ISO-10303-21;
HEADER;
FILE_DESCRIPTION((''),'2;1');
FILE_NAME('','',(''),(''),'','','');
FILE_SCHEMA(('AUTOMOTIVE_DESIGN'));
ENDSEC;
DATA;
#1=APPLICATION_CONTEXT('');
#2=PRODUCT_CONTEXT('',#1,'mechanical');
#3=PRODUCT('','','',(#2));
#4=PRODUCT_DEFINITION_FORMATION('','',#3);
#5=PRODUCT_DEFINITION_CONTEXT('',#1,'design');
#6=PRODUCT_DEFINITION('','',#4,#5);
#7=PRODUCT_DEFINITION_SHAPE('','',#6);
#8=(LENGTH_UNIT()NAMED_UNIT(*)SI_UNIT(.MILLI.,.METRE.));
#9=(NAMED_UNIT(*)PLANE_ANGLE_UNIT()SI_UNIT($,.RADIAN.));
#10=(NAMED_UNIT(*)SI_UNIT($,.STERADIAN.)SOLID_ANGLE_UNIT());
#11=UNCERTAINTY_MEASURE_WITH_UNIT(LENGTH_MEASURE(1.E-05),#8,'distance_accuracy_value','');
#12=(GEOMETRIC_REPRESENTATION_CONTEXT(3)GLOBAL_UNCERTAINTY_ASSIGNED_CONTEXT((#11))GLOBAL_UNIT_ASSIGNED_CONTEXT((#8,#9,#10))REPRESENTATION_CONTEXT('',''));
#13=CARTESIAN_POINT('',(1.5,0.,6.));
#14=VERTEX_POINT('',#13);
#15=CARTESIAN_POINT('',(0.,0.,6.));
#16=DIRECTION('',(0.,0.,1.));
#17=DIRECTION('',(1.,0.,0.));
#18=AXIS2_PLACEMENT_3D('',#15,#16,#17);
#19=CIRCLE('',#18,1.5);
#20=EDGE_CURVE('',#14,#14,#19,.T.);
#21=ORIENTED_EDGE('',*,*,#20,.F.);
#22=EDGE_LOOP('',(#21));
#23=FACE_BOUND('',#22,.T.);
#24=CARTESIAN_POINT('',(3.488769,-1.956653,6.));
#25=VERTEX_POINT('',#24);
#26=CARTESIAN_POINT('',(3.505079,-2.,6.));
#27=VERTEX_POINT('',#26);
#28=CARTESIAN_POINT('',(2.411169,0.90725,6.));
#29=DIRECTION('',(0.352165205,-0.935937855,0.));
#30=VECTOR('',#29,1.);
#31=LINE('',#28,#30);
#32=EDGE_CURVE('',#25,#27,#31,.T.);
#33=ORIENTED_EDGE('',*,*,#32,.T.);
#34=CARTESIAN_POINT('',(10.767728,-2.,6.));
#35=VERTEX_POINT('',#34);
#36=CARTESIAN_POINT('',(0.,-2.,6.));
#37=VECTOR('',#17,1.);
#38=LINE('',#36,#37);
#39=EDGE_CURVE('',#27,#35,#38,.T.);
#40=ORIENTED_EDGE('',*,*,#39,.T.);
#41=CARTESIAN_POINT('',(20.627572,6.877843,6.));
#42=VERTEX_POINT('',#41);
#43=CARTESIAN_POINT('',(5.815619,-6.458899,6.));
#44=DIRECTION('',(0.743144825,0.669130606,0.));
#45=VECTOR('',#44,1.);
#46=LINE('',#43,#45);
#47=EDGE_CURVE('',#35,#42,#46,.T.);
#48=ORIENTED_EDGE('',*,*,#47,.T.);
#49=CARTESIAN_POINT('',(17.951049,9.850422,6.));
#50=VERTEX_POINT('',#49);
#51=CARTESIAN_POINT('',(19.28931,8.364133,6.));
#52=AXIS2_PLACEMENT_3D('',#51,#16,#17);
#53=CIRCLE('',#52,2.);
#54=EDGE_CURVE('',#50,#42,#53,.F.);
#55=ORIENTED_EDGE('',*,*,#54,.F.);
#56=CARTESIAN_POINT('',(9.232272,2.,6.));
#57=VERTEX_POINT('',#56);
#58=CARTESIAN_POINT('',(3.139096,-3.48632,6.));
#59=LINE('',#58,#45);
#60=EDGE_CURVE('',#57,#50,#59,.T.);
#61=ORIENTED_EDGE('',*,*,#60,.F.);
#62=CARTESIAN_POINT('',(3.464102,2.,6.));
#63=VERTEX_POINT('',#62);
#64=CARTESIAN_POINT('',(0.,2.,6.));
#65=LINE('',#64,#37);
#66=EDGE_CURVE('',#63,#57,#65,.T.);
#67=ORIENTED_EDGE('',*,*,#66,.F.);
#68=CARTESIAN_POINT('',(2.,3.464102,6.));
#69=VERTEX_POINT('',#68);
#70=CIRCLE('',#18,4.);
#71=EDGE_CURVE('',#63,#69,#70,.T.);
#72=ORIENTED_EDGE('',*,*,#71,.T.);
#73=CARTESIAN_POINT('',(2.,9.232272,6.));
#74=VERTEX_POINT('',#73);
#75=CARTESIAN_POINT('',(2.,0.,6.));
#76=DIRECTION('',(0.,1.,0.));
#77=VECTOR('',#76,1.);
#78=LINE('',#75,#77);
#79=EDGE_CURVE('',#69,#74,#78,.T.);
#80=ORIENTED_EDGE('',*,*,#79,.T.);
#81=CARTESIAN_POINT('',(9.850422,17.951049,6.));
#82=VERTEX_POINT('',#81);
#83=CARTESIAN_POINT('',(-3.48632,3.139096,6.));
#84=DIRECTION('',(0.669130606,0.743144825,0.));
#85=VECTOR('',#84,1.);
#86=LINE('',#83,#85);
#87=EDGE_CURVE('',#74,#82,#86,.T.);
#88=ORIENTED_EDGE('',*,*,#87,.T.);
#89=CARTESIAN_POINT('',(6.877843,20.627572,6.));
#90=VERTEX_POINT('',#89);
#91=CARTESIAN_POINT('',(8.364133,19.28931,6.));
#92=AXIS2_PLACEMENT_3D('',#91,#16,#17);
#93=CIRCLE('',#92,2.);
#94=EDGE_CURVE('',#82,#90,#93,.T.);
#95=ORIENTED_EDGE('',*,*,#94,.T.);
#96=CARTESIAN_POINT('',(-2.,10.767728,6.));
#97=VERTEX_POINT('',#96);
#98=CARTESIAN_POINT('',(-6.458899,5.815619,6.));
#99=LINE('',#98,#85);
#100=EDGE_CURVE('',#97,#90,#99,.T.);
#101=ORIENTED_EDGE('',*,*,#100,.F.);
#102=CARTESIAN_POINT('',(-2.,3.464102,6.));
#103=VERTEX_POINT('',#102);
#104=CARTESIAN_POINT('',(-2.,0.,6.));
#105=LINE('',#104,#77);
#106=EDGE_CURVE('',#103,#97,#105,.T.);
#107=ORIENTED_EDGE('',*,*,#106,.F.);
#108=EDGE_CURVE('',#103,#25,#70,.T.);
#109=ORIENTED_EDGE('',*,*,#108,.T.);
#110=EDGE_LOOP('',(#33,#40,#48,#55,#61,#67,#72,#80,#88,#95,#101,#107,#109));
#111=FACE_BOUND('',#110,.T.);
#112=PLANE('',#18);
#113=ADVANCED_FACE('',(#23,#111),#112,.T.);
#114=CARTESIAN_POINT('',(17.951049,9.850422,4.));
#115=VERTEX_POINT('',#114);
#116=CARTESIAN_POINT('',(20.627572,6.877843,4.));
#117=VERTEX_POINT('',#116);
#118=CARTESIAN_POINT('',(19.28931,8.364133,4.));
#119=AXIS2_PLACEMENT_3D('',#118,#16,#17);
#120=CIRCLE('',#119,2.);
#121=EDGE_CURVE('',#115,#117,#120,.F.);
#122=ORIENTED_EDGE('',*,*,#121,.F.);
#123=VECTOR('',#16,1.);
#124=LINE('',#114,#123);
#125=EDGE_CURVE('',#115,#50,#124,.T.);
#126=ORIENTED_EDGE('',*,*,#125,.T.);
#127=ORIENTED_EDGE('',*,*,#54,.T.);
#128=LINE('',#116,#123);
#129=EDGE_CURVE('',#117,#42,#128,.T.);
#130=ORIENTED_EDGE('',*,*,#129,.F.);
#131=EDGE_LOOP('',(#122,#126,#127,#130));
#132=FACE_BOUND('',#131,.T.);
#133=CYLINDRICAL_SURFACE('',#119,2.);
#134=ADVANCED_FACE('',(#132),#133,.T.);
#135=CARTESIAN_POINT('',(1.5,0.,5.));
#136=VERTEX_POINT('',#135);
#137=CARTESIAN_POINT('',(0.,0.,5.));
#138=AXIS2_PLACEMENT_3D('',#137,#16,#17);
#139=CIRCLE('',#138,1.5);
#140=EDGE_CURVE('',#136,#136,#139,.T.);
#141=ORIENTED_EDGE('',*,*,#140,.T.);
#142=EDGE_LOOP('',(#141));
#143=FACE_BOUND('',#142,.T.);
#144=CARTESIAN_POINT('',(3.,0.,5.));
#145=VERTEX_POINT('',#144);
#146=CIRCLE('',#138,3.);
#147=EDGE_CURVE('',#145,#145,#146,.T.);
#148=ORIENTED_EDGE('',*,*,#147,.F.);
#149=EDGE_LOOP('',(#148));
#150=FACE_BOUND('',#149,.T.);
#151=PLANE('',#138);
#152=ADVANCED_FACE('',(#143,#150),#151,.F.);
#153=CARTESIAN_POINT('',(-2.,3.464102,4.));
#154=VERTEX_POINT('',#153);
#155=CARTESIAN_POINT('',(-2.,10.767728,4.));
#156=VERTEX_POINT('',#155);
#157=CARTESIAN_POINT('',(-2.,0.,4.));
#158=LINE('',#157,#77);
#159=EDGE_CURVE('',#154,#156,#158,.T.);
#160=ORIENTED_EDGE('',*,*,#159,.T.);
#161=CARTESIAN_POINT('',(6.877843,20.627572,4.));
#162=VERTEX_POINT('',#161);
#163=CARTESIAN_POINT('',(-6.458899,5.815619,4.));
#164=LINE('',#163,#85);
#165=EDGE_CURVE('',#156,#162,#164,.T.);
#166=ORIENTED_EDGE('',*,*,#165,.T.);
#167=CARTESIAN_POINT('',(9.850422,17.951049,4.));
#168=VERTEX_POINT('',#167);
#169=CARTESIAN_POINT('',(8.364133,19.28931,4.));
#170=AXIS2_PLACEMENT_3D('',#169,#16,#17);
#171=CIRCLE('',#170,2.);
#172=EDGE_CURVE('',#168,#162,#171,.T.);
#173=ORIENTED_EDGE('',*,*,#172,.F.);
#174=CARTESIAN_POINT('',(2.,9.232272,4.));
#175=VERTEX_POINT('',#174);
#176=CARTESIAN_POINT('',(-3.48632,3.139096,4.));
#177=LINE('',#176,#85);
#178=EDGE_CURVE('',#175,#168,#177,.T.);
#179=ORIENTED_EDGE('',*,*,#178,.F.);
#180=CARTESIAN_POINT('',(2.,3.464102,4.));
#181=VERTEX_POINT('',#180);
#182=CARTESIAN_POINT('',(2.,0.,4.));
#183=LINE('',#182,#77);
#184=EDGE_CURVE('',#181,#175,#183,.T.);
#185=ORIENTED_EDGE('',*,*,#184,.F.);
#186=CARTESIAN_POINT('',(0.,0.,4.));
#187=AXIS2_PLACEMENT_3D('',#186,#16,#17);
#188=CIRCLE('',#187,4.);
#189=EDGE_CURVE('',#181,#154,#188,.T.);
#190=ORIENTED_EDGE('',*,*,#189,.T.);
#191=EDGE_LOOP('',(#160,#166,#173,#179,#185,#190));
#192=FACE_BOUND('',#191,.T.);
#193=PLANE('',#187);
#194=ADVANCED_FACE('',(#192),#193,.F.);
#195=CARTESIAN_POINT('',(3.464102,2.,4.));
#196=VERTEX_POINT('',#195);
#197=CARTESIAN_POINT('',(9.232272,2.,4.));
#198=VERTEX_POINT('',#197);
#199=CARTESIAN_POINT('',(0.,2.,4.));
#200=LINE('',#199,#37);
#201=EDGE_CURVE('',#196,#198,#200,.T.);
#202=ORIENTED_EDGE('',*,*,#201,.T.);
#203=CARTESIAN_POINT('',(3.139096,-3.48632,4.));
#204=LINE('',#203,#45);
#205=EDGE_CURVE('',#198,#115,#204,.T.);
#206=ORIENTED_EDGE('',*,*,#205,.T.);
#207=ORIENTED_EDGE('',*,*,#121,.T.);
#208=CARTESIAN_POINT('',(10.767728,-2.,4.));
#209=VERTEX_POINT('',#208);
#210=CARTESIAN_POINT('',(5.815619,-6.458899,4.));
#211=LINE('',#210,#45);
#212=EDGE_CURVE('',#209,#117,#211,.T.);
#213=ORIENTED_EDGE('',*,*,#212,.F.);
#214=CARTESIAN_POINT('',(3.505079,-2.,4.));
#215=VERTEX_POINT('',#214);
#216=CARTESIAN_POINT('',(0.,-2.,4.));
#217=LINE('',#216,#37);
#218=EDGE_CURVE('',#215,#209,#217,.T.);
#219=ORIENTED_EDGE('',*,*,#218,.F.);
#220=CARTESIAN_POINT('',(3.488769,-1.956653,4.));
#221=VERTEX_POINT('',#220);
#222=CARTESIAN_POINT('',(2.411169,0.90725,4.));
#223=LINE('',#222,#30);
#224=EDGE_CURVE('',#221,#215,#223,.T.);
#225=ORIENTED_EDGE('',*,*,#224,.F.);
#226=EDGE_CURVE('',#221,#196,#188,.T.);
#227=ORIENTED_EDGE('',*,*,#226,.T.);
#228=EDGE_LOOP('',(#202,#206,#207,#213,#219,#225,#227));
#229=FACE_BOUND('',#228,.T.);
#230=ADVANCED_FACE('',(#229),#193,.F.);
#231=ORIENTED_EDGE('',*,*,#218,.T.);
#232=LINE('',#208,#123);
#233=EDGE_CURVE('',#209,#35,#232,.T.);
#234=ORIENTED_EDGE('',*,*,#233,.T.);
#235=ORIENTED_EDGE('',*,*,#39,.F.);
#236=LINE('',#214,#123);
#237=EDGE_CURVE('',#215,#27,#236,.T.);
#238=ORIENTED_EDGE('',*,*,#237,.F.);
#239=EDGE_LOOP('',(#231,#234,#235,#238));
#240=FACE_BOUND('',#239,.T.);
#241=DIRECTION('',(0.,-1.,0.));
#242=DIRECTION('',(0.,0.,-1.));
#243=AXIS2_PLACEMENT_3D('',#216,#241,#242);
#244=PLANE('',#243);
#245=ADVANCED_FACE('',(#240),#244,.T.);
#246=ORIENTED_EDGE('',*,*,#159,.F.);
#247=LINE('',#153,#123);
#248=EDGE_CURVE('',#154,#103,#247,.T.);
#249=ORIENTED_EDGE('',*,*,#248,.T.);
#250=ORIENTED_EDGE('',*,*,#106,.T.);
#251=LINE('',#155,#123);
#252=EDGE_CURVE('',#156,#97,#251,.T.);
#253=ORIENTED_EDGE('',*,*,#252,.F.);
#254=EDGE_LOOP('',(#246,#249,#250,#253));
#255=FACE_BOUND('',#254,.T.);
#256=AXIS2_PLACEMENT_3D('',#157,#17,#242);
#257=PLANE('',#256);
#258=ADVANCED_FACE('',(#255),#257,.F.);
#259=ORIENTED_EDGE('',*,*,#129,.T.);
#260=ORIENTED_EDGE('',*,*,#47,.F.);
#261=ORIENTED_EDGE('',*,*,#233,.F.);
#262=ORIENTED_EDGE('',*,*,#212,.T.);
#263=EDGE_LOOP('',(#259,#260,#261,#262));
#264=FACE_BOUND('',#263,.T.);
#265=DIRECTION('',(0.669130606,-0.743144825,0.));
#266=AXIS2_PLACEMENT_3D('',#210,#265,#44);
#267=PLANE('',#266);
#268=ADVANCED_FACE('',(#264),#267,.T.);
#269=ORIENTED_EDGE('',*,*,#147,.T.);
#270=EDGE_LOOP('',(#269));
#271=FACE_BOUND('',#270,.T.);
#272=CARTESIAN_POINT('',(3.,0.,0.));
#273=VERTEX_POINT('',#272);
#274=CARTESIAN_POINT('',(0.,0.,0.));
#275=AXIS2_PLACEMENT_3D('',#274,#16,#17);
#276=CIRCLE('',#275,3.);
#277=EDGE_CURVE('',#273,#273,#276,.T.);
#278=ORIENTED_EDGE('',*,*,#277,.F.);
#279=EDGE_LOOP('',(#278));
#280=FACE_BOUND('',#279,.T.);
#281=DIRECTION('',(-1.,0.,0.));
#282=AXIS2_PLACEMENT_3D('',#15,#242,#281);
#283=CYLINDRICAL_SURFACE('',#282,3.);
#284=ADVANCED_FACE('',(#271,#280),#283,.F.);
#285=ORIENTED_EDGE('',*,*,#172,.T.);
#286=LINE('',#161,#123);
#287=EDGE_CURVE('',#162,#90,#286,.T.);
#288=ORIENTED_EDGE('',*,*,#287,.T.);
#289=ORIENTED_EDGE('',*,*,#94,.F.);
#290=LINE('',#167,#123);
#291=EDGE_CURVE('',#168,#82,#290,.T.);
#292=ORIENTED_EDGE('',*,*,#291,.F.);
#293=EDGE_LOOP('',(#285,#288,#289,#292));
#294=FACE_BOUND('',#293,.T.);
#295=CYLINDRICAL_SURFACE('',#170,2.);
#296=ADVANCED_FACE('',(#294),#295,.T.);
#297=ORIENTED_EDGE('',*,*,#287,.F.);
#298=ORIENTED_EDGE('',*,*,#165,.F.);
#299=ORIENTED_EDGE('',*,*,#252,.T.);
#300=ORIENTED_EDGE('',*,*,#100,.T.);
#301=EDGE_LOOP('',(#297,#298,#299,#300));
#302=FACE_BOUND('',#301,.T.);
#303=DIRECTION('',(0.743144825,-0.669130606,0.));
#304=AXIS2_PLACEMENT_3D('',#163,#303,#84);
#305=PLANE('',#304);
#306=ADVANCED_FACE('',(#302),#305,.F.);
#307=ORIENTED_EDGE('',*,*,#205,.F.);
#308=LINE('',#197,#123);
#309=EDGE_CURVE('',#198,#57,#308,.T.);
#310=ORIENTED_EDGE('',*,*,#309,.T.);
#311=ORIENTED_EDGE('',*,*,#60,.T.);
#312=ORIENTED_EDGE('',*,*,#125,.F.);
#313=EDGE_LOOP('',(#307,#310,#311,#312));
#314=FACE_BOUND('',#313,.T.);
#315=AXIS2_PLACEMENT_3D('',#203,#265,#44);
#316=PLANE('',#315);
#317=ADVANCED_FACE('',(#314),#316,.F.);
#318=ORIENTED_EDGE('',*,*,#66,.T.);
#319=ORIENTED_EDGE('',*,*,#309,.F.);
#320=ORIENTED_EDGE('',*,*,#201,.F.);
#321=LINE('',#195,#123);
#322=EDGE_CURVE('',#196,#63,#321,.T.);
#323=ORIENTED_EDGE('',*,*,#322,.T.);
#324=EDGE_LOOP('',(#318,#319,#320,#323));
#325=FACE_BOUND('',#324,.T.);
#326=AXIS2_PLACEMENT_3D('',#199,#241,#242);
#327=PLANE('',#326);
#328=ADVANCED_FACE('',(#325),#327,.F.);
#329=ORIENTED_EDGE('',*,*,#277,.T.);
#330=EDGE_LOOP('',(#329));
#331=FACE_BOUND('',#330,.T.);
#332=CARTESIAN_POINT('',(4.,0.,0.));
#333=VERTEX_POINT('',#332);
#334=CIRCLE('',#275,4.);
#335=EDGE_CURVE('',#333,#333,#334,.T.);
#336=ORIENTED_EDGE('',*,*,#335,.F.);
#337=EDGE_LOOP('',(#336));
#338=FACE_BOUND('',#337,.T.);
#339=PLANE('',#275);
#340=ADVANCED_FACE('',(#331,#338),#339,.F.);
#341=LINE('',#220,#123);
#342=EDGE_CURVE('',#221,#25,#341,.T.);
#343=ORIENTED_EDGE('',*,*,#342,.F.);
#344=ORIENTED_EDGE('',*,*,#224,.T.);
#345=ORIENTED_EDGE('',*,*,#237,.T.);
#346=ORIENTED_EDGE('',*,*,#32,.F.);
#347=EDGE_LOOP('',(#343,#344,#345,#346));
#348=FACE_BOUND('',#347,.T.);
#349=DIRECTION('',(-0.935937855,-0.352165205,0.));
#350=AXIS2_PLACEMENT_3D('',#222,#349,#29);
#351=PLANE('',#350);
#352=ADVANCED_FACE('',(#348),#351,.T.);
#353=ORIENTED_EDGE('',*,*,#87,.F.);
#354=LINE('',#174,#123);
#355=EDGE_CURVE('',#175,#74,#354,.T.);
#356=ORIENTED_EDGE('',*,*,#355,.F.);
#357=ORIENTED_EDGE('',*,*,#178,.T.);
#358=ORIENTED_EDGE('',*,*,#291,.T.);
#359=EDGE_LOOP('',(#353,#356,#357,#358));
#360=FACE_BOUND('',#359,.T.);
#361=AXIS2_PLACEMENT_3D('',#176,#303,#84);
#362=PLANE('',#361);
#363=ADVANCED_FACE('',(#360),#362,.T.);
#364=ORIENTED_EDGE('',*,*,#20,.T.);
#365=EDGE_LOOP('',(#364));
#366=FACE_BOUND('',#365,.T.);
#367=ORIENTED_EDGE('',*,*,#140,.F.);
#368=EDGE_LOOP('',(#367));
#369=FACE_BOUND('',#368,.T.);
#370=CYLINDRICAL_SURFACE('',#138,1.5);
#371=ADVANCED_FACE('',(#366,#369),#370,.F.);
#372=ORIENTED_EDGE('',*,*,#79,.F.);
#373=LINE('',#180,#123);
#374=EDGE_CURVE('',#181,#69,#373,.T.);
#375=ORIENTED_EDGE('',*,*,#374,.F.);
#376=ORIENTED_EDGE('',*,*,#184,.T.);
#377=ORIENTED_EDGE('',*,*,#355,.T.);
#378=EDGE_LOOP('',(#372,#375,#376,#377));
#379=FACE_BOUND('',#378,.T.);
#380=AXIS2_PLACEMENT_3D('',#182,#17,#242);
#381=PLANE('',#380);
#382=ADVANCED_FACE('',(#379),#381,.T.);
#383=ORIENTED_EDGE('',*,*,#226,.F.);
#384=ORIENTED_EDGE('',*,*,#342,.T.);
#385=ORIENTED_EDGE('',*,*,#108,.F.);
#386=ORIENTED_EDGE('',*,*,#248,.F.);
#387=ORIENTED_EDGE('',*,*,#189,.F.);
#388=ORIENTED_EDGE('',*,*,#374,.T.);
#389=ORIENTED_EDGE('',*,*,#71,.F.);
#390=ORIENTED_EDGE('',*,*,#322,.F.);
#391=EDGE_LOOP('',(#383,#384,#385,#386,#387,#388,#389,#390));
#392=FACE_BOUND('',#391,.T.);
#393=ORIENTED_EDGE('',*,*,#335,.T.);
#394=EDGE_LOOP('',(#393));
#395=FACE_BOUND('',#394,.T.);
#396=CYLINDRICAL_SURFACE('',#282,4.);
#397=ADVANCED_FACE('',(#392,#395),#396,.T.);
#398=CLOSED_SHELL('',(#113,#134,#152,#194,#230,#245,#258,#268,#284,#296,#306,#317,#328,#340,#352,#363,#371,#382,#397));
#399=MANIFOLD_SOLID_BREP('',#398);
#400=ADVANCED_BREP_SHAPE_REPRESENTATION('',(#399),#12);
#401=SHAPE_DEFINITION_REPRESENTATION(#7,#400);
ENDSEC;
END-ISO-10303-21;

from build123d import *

# Parameters (mm, degrees)
ESQUISSE4_R        = 4
ESQUISSE4_R_2      = 3
BOSS_EXTRU_1_DEPTH = 6
ESQUISSE6_R        = 3
ESQUISSE6_R_2      = 1.5
BOSS_EXTRU_2_DEPTH = 1
BOSS_EXTRU_3_DEPTH = 2


with BuildPart() as part:
    # Esquisse4 → Boss.-Extru.1 (new body)
    with BuildSketch(Plane.XY):
        Circle(ESQUISSE4_R)
        Circle(ESQUISSE4_R_2, mode=Mode.SUBTRACT)
    extrude(amount=BOSS_EXTRU_1_DEPTH)

    # Esquisse6 → Boss.-Extru.2 (add)
    with BuildSketch(Plane.XY.offset(6)):
        Circle(ESQUISSE6_R)
        Circle(ESQUISSE6_R_2, mode=Mode.SUBTRACT)
    extrude(amount=-BOSS_EXTRU_2_DEPTH)

    # Esquisse7 → Boss.-Extru.3 (add)
    with BuildSketch(Plane.XY.offset(6)):
        with BuildLine():
            ThreePointArc((3.464101615, 2), (3.863703305, 1.03527618), (4, 0))
            ThreePointArc((4, 0), (3.870082468, -1.011168479), (3.488769153, -1.956652702))
            Line((3.488769153, -1.956652702), (3.505079435, -2))
            Line((3.505079435, -2), (10.76772807, -2))
            Line((10.76772807, -2), (20.627571531, 6.877842929))
            ThreePointArc((20.627571531, 6.877842929), (20.775599969, 9.702393792), (17.951049106, 9.85042223))
            Line((17.951049106, 9.85042223), (9.23227193, 2))
            Line((9.23227193, 2), (3.464101615, 2))
        make_face()
        with BuildLine():
            ThreePointArc((0, 4), (1.03527618, 3.863703305), (2, 3.464101615))
            Line((2, 3.464101615), (2, 9.23227193))
            Line((2, 9.23227193), (9.85042223, 17.951049106))
            ThreePointArc((9.85042223, 17.951049106), (9.702393792, 20.775599969), (6.877842929, 20.627571531))
            Line((6.877842929, 20.627571531), (-2, 10.76772807))
            Line((-2, 10.76772807), (-2, 3.464101615))
            ThreePointArc((-2, 3.464101615), (-1.03527618, 3.863703305), (0, 4))
        make_face()
    extrude(amount=-BOSS_EXTRU_3_DEPTH)


solid = part.part
